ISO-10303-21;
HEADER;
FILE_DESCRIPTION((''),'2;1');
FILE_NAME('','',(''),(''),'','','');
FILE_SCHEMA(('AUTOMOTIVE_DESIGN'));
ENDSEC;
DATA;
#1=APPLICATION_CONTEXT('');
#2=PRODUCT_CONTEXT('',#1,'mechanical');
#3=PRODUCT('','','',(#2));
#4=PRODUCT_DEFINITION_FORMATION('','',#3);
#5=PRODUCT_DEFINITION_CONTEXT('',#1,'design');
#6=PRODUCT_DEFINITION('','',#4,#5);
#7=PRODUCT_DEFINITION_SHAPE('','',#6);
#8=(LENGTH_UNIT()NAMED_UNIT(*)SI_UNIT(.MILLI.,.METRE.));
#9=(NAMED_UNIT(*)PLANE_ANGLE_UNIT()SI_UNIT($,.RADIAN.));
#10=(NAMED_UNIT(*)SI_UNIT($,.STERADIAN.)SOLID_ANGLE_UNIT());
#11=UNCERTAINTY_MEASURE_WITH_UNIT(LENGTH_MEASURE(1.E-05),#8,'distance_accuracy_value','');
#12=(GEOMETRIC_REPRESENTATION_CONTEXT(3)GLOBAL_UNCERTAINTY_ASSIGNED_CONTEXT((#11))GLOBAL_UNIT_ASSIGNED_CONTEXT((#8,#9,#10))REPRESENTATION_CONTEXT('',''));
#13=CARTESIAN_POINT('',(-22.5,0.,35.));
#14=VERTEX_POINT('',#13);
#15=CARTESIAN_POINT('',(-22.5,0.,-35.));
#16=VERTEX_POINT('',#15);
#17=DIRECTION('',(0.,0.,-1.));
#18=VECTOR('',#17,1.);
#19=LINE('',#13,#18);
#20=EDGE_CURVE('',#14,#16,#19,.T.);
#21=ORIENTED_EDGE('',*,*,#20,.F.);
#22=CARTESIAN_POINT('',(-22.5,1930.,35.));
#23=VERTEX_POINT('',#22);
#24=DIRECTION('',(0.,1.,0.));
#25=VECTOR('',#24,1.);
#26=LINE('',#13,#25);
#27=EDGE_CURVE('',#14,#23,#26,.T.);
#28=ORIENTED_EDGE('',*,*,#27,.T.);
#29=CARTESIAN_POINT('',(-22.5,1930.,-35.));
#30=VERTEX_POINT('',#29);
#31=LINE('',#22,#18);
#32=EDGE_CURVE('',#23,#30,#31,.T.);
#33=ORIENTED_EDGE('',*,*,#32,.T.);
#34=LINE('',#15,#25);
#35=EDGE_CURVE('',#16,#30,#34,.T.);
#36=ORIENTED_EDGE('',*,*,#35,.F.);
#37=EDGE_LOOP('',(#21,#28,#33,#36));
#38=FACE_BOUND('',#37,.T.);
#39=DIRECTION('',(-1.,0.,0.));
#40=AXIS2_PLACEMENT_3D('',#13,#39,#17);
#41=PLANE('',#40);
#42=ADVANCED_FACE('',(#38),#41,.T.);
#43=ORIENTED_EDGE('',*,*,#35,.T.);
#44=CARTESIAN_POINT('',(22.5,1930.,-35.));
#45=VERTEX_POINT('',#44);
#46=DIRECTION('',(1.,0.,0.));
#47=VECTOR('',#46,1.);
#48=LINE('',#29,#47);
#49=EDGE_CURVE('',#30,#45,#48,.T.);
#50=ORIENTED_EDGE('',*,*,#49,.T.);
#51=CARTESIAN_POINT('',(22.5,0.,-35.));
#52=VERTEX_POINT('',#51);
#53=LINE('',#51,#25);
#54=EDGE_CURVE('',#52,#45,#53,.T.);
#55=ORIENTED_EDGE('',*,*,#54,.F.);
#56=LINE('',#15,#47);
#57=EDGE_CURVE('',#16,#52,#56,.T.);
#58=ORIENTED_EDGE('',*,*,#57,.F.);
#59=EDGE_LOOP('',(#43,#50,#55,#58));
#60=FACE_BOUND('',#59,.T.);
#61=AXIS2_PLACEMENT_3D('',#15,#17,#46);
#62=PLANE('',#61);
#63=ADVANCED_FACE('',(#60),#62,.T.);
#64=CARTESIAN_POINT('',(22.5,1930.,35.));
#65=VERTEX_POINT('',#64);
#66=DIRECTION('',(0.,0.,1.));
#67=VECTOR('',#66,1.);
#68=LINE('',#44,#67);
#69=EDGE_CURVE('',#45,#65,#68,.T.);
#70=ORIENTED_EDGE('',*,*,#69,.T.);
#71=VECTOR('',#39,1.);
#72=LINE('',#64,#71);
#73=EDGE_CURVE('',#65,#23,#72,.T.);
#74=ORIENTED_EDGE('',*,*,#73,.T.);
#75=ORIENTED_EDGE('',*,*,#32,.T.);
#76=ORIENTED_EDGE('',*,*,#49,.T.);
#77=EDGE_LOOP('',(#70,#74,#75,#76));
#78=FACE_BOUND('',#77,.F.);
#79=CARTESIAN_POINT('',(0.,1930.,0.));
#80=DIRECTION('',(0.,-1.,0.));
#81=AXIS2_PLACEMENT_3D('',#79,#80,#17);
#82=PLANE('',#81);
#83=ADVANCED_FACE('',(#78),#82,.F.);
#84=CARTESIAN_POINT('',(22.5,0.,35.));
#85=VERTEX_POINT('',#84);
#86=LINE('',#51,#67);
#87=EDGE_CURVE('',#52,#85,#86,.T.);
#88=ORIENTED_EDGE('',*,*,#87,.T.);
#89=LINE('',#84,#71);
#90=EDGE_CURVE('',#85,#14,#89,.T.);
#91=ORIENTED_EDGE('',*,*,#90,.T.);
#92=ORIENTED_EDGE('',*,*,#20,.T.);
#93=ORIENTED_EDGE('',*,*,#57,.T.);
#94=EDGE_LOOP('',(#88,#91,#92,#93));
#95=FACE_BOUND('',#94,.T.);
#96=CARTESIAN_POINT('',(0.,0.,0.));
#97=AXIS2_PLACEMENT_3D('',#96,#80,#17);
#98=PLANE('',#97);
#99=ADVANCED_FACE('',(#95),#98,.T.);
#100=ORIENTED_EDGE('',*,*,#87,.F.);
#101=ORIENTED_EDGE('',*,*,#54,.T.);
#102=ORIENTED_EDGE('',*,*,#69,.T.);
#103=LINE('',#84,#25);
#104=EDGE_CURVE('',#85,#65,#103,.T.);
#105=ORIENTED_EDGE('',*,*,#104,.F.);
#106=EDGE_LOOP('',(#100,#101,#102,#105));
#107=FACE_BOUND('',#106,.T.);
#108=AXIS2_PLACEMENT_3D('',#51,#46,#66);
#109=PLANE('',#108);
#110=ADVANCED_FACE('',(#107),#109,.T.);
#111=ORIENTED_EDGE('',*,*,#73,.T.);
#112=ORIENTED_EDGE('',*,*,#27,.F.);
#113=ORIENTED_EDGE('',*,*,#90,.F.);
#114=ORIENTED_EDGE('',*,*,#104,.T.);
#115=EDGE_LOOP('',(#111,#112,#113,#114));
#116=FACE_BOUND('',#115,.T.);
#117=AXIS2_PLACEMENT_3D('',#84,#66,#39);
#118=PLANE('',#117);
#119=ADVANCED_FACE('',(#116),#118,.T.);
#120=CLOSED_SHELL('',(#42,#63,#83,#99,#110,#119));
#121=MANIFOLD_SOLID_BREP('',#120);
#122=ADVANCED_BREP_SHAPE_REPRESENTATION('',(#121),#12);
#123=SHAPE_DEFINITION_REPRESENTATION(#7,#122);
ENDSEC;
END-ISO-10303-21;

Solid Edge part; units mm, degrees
sketch "Sketch1" plane through (0, 0, 0) normal (0, -1, 0) x (1, 0, 0)
  line L0 (-22.5, -35) -> (22.5, -35)
  line L1 (22.5, -35) -> (22.5, 35)
  line L2 (22.5, 35) -> (-22.5, 35)
  line L3 (-22.5, 35) -> (-22.5, -35)
extrude "Protrusion1" add sketch "Sketch1" against normal blind 1930
properties material "Wood, Pine"
